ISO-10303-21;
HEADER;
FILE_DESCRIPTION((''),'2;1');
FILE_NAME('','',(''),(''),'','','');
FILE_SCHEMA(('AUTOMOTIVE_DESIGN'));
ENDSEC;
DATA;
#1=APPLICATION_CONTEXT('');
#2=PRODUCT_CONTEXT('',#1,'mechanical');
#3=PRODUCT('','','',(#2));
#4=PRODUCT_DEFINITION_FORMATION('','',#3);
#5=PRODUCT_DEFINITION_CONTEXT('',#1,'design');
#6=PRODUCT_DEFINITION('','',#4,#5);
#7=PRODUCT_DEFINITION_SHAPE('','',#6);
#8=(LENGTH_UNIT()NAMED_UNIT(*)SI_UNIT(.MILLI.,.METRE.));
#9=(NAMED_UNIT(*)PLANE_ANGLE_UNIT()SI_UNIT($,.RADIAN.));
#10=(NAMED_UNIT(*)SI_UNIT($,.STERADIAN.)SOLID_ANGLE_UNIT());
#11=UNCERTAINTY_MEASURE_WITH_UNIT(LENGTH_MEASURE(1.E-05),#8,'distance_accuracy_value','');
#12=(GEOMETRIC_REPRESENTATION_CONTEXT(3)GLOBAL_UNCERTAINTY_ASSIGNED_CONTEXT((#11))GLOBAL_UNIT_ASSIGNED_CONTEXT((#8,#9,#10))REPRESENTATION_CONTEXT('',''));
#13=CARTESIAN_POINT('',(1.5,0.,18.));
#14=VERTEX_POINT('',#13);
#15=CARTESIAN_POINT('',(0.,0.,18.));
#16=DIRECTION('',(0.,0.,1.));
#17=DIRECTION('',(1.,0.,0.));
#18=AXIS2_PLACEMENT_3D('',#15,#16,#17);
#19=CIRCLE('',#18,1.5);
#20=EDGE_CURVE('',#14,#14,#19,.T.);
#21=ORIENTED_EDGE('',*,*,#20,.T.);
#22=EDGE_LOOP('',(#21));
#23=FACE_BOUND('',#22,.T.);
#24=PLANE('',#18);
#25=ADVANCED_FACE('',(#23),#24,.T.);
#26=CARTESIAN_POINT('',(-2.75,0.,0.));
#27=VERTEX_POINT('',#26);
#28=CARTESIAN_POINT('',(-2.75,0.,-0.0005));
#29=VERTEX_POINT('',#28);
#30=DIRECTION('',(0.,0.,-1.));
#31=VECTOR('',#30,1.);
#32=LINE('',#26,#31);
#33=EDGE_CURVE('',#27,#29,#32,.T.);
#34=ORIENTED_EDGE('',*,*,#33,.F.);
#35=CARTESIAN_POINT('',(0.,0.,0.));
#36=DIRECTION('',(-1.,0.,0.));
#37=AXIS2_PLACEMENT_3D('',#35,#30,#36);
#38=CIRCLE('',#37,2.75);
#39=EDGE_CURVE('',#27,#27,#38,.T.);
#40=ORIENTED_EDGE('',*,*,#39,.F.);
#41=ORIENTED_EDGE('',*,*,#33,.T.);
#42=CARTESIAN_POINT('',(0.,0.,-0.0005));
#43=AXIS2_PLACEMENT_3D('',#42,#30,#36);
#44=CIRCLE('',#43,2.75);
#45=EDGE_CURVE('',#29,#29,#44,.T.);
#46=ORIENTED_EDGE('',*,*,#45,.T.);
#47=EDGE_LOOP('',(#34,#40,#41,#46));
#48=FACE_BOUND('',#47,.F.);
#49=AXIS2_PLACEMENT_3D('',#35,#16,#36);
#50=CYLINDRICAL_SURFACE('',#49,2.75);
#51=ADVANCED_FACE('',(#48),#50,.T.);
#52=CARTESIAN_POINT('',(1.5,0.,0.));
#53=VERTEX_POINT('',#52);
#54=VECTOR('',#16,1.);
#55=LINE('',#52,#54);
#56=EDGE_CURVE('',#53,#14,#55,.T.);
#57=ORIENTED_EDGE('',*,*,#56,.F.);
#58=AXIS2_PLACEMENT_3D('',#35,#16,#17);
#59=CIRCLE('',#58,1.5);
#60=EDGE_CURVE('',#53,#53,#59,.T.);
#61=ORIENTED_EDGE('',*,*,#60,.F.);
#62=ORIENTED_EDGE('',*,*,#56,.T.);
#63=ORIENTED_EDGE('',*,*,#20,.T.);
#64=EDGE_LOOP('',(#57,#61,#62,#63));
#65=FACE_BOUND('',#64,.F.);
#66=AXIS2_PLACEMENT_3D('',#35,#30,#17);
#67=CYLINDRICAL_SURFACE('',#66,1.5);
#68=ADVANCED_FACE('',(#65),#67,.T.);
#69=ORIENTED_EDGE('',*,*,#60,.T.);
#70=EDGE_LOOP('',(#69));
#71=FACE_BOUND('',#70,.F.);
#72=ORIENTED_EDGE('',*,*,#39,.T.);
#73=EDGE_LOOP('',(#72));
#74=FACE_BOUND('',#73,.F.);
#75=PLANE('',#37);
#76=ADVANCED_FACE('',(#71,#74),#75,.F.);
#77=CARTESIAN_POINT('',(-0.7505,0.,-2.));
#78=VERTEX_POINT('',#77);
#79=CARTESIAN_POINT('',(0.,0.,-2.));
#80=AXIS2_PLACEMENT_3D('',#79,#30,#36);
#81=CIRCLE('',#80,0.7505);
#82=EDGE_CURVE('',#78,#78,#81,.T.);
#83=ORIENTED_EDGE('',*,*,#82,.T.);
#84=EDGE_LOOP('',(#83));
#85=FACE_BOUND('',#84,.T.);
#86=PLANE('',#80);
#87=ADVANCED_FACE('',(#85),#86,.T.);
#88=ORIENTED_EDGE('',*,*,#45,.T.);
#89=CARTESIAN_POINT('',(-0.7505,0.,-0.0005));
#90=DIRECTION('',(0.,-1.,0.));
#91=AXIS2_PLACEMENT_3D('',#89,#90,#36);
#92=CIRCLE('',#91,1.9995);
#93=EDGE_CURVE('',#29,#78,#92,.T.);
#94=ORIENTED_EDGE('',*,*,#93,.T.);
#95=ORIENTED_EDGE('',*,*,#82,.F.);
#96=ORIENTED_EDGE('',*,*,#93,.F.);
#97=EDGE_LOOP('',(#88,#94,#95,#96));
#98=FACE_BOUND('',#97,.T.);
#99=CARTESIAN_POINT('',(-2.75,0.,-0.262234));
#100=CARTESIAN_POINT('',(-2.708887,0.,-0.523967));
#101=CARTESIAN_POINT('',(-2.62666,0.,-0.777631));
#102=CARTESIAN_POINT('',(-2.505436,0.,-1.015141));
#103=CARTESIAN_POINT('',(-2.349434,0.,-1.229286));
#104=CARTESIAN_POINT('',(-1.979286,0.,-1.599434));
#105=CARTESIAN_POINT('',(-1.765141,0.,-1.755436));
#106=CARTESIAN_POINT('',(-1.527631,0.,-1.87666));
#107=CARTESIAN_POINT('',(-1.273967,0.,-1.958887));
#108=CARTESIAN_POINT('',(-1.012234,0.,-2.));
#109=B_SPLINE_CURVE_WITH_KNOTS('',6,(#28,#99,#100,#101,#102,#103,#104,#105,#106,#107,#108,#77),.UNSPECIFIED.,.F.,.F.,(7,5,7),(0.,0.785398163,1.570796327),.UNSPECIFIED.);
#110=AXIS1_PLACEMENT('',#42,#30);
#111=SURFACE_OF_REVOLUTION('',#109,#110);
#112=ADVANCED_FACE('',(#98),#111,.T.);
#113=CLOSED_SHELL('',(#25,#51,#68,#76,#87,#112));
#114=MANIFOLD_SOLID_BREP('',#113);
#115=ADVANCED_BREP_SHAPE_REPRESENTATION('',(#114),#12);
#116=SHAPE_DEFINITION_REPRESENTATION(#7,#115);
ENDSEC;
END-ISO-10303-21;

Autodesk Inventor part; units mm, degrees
ref_plane "YZ Plane" through (0, 0, 0) normal (1, 0, 0) x (0, 1, 0)
ref_plane "XZ Plane" through (0, 0, 0) normal (0, 1, 0) x (-1, 0, 0)
ref_plane "XY Plane" through (0, 0, 0) normal (0, 0, 1) x (1, 0, 0)
sketch "スケッチ1" plane through (0, 0, 0) normal (0, 0, 1) x (1, 0, 0)
  circle A0 centre (0, 0) radius 1.5
  dimension "d0" = 3
extrude "押し出し1" add sketch "スケッチ1" along normal blind 18
sketch "スケッチ2" plane through (0, 0, 0) normal (0, 0, -1) x (-1, 0, 0)
  circle A0 centre (0, 0) radius 2.75
  dimension "d3" = 5.5
extrude "押し出し2" add sketch "スケッチ2" along normal blind 2
fillet "フィレット1" radius 2 1 edges at (2.75, 0, -2)
thread "ねじ1" size "M3x0.5" class "6g" standard "ANSI Metric M Profile" full length
properties part number "ネジ鍋m3,18" material "鋼、高強度、低合金"
